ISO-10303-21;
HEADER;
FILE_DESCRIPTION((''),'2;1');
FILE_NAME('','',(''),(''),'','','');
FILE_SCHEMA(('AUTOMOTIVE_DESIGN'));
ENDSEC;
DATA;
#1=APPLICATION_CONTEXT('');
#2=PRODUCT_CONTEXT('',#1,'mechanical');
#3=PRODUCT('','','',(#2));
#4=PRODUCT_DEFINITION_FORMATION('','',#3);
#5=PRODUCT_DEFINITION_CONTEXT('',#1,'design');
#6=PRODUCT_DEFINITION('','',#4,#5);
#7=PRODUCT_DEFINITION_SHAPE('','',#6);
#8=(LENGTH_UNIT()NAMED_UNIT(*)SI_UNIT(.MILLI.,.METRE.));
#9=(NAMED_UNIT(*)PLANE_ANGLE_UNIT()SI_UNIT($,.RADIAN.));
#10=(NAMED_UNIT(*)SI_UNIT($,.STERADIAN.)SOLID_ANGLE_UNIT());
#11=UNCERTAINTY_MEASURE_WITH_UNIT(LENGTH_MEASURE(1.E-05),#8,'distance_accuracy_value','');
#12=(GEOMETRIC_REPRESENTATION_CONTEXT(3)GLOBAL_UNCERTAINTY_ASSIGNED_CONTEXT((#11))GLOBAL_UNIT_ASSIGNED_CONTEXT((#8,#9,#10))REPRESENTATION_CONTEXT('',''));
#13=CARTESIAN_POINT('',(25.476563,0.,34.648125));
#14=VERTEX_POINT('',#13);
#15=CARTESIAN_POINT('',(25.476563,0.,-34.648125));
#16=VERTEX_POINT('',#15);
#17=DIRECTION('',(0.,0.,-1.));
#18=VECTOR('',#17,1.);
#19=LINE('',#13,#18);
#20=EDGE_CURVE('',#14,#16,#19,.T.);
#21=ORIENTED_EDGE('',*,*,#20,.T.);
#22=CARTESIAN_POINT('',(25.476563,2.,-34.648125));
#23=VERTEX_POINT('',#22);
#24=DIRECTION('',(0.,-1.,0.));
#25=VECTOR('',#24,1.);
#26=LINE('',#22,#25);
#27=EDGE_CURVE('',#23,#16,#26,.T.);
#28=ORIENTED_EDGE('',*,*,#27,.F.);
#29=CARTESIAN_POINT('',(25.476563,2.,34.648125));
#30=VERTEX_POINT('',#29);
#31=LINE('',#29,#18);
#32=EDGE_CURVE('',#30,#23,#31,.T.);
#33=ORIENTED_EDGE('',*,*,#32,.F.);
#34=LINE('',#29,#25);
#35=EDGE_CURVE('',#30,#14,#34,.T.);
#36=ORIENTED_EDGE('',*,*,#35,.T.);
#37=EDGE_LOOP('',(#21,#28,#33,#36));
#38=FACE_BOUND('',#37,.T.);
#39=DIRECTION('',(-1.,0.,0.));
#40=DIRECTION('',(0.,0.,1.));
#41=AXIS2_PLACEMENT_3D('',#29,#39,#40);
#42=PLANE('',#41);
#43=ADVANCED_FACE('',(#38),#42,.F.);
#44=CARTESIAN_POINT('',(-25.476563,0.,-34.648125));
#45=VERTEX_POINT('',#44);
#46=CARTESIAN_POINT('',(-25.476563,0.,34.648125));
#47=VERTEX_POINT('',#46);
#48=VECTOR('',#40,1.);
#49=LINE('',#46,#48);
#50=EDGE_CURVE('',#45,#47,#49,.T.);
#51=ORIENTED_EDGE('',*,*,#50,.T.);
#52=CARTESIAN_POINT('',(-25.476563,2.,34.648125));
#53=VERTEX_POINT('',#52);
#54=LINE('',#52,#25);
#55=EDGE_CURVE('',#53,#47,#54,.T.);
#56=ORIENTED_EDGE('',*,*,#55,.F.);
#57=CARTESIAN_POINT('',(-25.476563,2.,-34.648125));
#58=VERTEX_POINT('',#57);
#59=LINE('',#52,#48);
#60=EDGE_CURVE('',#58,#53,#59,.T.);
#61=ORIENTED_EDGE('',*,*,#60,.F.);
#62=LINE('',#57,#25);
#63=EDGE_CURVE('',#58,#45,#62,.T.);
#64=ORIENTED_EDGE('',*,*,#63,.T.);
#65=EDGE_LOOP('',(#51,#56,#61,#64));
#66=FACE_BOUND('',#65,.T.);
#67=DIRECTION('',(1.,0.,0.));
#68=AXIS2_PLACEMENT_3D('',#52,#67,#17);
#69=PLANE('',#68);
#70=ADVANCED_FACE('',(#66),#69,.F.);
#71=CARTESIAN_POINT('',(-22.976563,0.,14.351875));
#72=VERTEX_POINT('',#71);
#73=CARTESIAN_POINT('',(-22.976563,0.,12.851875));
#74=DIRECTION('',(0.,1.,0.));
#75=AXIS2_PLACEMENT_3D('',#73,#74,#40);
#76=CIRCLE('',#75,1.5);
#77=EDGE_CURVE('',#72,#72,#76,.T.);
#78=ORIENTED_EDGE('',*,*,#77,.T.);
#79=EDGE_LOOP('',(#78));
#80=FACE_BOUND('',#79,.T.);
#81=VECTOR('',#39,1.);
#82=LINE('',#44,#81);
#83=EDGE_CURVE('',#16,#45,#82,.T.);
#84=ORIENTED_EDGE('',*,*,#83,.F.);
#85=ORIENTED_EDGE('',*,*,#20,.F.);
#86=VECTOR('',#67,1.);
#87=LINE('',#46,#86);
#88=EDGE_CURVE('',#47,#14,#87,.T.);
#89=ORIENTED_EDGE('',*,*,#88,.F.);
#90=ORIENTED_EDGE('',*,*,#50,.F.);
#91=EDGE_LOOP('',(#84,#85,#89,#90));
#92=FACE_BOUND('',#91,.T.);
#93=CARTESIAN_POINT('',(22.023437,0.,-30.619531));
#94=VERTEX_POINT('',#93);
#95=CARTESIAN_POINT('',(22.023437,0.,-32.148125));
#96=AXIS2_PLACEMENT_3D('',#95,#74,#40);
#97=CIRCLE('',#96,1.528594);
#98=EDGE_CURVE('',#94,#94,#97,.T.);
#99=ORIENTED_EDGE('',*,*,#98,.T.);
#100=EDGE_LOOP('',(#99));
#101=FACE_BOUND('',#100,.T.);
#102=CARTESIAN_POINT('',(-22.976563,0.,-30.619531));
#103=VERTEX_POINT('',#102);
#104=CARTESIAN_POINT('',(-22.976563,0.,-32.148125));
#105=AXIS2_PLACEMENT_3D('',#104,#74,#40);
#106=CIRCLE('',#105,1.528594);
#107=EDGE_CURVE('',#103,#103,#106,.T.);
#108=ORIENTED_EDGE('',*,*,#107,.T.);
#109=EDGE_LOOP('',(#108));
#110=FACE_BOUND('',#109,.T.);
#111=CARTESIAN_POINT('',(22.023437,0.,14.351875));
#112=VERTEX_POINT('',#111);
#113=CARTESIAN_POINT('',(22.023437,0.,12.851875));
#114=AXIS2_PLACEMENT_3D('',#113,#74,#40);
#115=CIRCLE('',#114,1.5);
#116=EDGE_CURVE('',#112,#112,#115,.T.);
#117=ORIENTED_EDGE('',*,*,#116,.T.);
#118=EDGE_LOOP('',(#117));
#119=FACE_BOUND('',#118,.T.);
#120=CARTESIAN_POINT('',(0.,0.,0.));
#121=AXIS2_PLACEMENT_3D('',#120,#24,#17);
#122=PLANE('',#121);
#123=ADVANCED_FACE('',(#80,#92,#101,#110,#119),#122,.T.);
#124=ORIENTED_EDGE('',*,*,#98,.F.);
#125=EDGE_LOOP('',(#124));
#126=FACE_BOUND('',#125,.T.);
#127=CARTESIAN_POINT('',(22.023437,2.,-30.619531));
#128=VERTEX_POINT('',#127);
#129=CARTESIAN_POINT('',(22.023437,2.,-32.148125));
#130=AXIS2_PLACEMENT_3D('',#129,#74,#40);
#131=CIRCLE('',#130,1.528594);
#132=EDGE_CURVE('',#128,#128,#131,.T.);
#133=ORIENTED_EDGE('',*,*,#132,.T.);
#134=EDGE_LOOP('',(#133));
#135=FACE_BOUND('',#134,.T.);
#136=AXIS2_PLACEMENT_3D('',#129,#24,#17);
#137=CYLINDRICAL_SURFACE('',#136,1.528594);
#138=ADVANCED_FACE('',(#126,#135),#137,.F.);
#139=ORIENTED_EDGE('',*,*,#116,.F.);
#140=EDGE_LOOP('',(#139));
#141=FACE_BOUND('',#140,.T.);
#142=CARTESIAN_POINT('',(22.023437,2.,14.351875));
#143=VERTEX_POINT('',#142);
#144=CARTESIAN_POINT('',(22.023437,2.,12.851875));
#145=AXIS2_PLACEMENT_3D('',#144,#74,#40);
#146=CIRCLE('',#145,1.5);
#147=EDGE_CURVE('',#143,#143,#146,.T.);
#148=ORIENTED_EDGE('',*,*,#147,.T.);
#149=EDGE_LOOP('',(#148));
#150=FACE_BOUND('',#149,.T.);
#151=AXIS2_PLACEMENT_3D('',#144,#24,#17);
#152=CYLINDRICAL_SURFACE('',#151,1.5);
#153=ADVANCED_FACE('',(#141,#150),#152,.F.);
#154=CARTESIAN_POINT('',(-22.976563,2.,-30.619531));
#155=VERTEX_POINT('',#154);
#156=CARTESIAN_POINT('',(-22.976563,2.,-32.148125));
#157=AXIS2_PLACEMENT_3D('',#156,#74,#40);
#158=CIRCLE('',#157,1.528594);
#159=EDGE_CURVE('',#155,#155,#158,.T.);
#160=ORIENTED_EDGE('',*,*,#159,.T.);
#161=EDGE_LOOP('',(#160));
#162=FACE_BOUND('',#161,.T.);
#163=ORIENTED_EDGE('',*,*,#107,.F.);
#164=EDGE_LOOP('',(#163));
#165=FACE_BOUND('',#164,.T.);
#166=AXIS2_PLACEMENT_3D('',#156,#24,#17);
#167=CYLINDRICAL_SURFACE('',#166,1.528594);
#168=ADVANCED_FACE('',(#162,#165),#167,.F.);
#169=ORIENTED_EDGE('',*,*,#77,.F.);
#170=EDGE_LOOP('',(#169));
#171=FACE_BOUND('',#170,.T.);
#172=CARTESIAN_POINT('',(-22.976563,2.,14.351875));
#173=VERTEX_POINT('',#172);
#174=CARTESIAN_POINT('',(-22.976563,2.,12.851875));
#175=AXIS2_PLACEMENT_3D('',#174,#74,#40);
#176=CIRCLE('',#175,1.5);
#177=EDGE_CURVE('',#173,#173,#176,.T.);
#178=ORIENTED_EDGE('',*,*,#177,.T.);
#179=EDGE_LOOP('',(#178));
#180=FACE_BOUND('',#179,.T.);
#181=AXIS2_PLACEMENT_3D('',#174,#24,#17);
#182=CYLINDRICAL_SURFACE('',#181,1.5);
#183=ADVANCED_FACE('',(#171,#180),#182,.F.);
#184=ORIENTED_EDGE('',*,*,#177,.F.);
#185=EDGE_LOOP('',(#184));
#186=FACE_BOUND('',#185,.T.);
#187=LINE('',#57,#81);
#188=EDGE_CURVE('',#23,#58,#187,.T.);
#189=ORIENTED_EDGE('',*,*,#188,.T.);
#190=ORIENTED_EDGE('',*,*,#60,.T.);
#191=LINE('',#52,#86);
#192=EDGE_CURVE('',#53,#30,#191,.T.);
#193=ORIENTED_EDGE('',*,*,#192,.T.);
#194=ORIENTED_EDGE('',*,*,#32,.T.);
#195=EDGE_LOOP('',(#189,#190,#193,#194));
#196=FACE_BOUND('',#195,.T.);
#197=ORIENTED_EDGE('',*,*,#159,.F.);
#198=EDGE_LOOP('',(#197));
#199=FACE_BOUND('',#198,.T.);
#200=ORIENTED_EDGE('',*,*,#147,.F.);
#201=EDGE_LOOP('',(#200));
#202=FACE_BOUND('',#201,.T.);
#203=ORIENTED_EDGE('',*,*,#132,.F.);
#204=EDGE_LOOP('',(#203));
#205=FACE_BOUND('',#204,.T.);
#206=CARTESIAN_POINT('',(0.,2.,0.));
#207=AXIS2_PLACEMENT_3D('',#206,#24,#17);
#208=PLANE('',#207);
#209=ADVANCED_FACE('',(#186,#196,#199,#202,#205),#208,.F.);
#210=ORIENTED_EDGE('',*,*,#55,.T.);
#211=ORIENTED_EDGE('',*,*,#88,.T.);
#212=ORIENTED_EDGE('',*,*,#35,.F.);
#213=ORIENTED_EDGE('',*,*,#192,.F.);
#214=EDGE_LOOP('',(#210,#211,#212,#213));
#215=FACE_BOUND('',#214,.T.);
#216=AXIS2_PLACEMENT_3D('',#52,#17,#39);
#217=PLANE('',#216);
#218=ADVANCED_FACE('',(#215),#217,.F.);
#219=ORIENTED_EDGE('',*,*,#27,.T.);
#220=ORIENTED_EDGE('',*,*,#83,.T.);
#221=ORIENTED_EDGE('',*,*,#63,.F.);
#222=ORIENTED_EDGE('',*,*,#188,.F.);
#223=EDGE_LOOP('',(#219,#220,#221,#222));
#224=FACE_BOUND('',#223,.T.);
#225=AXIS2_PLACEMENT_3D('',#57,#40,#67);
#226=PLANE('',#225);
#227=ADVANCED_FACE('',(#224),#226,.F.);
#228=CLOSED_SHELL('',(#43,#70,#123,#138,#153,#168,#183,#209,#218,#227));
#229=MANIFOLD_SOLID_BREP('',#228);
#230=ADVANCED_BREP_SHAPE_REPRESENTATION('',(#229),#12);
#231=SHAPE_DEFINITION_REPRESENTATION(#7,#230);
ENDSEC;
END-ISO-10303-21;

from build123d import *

# Parameters (mm, degrees)
SKETCH1_W           = 50.953125296
SKETCH1_H           = 69.296250402
SKETCH1_R           = 1.528593759
SKETCH1_R_2         = 1.5
BOSS_EXTRUDE1_DEPTH = 2


with BuildPart() as part:
    # Sketch1 → Boss-Extrude1 (new body)
    with BuildSketch(Plane(origin=(0, 0, 0), x_dir=(1, 0, 0), z_dir=(0, 1, 0))):
        Rectangle(SKETCH1_W, SKETCH1_H)
        with Locations((-22.976562648, 32.148125201)):
            Circle(SKETCH1_R, mode=Mode.SUBTRACT)
        with Locations((22.023437352, 32.148125201)):
            Circle(SKETCH1_R, mode=Mode.SUBTRACT)
        with Locations((-22.976562648, -12.851874799)):
            Circle(SKETCH1_R_2, mode=Mode.SUBTRACT)
        with Locations((22.023437352, -12.851874799)):
            Circle(SKETCH1_R_2, mode=Mode.SUBTRACT)
    extrude(amount=BOSS_EXTRUDE1_DEPTH)


solid = part.part
